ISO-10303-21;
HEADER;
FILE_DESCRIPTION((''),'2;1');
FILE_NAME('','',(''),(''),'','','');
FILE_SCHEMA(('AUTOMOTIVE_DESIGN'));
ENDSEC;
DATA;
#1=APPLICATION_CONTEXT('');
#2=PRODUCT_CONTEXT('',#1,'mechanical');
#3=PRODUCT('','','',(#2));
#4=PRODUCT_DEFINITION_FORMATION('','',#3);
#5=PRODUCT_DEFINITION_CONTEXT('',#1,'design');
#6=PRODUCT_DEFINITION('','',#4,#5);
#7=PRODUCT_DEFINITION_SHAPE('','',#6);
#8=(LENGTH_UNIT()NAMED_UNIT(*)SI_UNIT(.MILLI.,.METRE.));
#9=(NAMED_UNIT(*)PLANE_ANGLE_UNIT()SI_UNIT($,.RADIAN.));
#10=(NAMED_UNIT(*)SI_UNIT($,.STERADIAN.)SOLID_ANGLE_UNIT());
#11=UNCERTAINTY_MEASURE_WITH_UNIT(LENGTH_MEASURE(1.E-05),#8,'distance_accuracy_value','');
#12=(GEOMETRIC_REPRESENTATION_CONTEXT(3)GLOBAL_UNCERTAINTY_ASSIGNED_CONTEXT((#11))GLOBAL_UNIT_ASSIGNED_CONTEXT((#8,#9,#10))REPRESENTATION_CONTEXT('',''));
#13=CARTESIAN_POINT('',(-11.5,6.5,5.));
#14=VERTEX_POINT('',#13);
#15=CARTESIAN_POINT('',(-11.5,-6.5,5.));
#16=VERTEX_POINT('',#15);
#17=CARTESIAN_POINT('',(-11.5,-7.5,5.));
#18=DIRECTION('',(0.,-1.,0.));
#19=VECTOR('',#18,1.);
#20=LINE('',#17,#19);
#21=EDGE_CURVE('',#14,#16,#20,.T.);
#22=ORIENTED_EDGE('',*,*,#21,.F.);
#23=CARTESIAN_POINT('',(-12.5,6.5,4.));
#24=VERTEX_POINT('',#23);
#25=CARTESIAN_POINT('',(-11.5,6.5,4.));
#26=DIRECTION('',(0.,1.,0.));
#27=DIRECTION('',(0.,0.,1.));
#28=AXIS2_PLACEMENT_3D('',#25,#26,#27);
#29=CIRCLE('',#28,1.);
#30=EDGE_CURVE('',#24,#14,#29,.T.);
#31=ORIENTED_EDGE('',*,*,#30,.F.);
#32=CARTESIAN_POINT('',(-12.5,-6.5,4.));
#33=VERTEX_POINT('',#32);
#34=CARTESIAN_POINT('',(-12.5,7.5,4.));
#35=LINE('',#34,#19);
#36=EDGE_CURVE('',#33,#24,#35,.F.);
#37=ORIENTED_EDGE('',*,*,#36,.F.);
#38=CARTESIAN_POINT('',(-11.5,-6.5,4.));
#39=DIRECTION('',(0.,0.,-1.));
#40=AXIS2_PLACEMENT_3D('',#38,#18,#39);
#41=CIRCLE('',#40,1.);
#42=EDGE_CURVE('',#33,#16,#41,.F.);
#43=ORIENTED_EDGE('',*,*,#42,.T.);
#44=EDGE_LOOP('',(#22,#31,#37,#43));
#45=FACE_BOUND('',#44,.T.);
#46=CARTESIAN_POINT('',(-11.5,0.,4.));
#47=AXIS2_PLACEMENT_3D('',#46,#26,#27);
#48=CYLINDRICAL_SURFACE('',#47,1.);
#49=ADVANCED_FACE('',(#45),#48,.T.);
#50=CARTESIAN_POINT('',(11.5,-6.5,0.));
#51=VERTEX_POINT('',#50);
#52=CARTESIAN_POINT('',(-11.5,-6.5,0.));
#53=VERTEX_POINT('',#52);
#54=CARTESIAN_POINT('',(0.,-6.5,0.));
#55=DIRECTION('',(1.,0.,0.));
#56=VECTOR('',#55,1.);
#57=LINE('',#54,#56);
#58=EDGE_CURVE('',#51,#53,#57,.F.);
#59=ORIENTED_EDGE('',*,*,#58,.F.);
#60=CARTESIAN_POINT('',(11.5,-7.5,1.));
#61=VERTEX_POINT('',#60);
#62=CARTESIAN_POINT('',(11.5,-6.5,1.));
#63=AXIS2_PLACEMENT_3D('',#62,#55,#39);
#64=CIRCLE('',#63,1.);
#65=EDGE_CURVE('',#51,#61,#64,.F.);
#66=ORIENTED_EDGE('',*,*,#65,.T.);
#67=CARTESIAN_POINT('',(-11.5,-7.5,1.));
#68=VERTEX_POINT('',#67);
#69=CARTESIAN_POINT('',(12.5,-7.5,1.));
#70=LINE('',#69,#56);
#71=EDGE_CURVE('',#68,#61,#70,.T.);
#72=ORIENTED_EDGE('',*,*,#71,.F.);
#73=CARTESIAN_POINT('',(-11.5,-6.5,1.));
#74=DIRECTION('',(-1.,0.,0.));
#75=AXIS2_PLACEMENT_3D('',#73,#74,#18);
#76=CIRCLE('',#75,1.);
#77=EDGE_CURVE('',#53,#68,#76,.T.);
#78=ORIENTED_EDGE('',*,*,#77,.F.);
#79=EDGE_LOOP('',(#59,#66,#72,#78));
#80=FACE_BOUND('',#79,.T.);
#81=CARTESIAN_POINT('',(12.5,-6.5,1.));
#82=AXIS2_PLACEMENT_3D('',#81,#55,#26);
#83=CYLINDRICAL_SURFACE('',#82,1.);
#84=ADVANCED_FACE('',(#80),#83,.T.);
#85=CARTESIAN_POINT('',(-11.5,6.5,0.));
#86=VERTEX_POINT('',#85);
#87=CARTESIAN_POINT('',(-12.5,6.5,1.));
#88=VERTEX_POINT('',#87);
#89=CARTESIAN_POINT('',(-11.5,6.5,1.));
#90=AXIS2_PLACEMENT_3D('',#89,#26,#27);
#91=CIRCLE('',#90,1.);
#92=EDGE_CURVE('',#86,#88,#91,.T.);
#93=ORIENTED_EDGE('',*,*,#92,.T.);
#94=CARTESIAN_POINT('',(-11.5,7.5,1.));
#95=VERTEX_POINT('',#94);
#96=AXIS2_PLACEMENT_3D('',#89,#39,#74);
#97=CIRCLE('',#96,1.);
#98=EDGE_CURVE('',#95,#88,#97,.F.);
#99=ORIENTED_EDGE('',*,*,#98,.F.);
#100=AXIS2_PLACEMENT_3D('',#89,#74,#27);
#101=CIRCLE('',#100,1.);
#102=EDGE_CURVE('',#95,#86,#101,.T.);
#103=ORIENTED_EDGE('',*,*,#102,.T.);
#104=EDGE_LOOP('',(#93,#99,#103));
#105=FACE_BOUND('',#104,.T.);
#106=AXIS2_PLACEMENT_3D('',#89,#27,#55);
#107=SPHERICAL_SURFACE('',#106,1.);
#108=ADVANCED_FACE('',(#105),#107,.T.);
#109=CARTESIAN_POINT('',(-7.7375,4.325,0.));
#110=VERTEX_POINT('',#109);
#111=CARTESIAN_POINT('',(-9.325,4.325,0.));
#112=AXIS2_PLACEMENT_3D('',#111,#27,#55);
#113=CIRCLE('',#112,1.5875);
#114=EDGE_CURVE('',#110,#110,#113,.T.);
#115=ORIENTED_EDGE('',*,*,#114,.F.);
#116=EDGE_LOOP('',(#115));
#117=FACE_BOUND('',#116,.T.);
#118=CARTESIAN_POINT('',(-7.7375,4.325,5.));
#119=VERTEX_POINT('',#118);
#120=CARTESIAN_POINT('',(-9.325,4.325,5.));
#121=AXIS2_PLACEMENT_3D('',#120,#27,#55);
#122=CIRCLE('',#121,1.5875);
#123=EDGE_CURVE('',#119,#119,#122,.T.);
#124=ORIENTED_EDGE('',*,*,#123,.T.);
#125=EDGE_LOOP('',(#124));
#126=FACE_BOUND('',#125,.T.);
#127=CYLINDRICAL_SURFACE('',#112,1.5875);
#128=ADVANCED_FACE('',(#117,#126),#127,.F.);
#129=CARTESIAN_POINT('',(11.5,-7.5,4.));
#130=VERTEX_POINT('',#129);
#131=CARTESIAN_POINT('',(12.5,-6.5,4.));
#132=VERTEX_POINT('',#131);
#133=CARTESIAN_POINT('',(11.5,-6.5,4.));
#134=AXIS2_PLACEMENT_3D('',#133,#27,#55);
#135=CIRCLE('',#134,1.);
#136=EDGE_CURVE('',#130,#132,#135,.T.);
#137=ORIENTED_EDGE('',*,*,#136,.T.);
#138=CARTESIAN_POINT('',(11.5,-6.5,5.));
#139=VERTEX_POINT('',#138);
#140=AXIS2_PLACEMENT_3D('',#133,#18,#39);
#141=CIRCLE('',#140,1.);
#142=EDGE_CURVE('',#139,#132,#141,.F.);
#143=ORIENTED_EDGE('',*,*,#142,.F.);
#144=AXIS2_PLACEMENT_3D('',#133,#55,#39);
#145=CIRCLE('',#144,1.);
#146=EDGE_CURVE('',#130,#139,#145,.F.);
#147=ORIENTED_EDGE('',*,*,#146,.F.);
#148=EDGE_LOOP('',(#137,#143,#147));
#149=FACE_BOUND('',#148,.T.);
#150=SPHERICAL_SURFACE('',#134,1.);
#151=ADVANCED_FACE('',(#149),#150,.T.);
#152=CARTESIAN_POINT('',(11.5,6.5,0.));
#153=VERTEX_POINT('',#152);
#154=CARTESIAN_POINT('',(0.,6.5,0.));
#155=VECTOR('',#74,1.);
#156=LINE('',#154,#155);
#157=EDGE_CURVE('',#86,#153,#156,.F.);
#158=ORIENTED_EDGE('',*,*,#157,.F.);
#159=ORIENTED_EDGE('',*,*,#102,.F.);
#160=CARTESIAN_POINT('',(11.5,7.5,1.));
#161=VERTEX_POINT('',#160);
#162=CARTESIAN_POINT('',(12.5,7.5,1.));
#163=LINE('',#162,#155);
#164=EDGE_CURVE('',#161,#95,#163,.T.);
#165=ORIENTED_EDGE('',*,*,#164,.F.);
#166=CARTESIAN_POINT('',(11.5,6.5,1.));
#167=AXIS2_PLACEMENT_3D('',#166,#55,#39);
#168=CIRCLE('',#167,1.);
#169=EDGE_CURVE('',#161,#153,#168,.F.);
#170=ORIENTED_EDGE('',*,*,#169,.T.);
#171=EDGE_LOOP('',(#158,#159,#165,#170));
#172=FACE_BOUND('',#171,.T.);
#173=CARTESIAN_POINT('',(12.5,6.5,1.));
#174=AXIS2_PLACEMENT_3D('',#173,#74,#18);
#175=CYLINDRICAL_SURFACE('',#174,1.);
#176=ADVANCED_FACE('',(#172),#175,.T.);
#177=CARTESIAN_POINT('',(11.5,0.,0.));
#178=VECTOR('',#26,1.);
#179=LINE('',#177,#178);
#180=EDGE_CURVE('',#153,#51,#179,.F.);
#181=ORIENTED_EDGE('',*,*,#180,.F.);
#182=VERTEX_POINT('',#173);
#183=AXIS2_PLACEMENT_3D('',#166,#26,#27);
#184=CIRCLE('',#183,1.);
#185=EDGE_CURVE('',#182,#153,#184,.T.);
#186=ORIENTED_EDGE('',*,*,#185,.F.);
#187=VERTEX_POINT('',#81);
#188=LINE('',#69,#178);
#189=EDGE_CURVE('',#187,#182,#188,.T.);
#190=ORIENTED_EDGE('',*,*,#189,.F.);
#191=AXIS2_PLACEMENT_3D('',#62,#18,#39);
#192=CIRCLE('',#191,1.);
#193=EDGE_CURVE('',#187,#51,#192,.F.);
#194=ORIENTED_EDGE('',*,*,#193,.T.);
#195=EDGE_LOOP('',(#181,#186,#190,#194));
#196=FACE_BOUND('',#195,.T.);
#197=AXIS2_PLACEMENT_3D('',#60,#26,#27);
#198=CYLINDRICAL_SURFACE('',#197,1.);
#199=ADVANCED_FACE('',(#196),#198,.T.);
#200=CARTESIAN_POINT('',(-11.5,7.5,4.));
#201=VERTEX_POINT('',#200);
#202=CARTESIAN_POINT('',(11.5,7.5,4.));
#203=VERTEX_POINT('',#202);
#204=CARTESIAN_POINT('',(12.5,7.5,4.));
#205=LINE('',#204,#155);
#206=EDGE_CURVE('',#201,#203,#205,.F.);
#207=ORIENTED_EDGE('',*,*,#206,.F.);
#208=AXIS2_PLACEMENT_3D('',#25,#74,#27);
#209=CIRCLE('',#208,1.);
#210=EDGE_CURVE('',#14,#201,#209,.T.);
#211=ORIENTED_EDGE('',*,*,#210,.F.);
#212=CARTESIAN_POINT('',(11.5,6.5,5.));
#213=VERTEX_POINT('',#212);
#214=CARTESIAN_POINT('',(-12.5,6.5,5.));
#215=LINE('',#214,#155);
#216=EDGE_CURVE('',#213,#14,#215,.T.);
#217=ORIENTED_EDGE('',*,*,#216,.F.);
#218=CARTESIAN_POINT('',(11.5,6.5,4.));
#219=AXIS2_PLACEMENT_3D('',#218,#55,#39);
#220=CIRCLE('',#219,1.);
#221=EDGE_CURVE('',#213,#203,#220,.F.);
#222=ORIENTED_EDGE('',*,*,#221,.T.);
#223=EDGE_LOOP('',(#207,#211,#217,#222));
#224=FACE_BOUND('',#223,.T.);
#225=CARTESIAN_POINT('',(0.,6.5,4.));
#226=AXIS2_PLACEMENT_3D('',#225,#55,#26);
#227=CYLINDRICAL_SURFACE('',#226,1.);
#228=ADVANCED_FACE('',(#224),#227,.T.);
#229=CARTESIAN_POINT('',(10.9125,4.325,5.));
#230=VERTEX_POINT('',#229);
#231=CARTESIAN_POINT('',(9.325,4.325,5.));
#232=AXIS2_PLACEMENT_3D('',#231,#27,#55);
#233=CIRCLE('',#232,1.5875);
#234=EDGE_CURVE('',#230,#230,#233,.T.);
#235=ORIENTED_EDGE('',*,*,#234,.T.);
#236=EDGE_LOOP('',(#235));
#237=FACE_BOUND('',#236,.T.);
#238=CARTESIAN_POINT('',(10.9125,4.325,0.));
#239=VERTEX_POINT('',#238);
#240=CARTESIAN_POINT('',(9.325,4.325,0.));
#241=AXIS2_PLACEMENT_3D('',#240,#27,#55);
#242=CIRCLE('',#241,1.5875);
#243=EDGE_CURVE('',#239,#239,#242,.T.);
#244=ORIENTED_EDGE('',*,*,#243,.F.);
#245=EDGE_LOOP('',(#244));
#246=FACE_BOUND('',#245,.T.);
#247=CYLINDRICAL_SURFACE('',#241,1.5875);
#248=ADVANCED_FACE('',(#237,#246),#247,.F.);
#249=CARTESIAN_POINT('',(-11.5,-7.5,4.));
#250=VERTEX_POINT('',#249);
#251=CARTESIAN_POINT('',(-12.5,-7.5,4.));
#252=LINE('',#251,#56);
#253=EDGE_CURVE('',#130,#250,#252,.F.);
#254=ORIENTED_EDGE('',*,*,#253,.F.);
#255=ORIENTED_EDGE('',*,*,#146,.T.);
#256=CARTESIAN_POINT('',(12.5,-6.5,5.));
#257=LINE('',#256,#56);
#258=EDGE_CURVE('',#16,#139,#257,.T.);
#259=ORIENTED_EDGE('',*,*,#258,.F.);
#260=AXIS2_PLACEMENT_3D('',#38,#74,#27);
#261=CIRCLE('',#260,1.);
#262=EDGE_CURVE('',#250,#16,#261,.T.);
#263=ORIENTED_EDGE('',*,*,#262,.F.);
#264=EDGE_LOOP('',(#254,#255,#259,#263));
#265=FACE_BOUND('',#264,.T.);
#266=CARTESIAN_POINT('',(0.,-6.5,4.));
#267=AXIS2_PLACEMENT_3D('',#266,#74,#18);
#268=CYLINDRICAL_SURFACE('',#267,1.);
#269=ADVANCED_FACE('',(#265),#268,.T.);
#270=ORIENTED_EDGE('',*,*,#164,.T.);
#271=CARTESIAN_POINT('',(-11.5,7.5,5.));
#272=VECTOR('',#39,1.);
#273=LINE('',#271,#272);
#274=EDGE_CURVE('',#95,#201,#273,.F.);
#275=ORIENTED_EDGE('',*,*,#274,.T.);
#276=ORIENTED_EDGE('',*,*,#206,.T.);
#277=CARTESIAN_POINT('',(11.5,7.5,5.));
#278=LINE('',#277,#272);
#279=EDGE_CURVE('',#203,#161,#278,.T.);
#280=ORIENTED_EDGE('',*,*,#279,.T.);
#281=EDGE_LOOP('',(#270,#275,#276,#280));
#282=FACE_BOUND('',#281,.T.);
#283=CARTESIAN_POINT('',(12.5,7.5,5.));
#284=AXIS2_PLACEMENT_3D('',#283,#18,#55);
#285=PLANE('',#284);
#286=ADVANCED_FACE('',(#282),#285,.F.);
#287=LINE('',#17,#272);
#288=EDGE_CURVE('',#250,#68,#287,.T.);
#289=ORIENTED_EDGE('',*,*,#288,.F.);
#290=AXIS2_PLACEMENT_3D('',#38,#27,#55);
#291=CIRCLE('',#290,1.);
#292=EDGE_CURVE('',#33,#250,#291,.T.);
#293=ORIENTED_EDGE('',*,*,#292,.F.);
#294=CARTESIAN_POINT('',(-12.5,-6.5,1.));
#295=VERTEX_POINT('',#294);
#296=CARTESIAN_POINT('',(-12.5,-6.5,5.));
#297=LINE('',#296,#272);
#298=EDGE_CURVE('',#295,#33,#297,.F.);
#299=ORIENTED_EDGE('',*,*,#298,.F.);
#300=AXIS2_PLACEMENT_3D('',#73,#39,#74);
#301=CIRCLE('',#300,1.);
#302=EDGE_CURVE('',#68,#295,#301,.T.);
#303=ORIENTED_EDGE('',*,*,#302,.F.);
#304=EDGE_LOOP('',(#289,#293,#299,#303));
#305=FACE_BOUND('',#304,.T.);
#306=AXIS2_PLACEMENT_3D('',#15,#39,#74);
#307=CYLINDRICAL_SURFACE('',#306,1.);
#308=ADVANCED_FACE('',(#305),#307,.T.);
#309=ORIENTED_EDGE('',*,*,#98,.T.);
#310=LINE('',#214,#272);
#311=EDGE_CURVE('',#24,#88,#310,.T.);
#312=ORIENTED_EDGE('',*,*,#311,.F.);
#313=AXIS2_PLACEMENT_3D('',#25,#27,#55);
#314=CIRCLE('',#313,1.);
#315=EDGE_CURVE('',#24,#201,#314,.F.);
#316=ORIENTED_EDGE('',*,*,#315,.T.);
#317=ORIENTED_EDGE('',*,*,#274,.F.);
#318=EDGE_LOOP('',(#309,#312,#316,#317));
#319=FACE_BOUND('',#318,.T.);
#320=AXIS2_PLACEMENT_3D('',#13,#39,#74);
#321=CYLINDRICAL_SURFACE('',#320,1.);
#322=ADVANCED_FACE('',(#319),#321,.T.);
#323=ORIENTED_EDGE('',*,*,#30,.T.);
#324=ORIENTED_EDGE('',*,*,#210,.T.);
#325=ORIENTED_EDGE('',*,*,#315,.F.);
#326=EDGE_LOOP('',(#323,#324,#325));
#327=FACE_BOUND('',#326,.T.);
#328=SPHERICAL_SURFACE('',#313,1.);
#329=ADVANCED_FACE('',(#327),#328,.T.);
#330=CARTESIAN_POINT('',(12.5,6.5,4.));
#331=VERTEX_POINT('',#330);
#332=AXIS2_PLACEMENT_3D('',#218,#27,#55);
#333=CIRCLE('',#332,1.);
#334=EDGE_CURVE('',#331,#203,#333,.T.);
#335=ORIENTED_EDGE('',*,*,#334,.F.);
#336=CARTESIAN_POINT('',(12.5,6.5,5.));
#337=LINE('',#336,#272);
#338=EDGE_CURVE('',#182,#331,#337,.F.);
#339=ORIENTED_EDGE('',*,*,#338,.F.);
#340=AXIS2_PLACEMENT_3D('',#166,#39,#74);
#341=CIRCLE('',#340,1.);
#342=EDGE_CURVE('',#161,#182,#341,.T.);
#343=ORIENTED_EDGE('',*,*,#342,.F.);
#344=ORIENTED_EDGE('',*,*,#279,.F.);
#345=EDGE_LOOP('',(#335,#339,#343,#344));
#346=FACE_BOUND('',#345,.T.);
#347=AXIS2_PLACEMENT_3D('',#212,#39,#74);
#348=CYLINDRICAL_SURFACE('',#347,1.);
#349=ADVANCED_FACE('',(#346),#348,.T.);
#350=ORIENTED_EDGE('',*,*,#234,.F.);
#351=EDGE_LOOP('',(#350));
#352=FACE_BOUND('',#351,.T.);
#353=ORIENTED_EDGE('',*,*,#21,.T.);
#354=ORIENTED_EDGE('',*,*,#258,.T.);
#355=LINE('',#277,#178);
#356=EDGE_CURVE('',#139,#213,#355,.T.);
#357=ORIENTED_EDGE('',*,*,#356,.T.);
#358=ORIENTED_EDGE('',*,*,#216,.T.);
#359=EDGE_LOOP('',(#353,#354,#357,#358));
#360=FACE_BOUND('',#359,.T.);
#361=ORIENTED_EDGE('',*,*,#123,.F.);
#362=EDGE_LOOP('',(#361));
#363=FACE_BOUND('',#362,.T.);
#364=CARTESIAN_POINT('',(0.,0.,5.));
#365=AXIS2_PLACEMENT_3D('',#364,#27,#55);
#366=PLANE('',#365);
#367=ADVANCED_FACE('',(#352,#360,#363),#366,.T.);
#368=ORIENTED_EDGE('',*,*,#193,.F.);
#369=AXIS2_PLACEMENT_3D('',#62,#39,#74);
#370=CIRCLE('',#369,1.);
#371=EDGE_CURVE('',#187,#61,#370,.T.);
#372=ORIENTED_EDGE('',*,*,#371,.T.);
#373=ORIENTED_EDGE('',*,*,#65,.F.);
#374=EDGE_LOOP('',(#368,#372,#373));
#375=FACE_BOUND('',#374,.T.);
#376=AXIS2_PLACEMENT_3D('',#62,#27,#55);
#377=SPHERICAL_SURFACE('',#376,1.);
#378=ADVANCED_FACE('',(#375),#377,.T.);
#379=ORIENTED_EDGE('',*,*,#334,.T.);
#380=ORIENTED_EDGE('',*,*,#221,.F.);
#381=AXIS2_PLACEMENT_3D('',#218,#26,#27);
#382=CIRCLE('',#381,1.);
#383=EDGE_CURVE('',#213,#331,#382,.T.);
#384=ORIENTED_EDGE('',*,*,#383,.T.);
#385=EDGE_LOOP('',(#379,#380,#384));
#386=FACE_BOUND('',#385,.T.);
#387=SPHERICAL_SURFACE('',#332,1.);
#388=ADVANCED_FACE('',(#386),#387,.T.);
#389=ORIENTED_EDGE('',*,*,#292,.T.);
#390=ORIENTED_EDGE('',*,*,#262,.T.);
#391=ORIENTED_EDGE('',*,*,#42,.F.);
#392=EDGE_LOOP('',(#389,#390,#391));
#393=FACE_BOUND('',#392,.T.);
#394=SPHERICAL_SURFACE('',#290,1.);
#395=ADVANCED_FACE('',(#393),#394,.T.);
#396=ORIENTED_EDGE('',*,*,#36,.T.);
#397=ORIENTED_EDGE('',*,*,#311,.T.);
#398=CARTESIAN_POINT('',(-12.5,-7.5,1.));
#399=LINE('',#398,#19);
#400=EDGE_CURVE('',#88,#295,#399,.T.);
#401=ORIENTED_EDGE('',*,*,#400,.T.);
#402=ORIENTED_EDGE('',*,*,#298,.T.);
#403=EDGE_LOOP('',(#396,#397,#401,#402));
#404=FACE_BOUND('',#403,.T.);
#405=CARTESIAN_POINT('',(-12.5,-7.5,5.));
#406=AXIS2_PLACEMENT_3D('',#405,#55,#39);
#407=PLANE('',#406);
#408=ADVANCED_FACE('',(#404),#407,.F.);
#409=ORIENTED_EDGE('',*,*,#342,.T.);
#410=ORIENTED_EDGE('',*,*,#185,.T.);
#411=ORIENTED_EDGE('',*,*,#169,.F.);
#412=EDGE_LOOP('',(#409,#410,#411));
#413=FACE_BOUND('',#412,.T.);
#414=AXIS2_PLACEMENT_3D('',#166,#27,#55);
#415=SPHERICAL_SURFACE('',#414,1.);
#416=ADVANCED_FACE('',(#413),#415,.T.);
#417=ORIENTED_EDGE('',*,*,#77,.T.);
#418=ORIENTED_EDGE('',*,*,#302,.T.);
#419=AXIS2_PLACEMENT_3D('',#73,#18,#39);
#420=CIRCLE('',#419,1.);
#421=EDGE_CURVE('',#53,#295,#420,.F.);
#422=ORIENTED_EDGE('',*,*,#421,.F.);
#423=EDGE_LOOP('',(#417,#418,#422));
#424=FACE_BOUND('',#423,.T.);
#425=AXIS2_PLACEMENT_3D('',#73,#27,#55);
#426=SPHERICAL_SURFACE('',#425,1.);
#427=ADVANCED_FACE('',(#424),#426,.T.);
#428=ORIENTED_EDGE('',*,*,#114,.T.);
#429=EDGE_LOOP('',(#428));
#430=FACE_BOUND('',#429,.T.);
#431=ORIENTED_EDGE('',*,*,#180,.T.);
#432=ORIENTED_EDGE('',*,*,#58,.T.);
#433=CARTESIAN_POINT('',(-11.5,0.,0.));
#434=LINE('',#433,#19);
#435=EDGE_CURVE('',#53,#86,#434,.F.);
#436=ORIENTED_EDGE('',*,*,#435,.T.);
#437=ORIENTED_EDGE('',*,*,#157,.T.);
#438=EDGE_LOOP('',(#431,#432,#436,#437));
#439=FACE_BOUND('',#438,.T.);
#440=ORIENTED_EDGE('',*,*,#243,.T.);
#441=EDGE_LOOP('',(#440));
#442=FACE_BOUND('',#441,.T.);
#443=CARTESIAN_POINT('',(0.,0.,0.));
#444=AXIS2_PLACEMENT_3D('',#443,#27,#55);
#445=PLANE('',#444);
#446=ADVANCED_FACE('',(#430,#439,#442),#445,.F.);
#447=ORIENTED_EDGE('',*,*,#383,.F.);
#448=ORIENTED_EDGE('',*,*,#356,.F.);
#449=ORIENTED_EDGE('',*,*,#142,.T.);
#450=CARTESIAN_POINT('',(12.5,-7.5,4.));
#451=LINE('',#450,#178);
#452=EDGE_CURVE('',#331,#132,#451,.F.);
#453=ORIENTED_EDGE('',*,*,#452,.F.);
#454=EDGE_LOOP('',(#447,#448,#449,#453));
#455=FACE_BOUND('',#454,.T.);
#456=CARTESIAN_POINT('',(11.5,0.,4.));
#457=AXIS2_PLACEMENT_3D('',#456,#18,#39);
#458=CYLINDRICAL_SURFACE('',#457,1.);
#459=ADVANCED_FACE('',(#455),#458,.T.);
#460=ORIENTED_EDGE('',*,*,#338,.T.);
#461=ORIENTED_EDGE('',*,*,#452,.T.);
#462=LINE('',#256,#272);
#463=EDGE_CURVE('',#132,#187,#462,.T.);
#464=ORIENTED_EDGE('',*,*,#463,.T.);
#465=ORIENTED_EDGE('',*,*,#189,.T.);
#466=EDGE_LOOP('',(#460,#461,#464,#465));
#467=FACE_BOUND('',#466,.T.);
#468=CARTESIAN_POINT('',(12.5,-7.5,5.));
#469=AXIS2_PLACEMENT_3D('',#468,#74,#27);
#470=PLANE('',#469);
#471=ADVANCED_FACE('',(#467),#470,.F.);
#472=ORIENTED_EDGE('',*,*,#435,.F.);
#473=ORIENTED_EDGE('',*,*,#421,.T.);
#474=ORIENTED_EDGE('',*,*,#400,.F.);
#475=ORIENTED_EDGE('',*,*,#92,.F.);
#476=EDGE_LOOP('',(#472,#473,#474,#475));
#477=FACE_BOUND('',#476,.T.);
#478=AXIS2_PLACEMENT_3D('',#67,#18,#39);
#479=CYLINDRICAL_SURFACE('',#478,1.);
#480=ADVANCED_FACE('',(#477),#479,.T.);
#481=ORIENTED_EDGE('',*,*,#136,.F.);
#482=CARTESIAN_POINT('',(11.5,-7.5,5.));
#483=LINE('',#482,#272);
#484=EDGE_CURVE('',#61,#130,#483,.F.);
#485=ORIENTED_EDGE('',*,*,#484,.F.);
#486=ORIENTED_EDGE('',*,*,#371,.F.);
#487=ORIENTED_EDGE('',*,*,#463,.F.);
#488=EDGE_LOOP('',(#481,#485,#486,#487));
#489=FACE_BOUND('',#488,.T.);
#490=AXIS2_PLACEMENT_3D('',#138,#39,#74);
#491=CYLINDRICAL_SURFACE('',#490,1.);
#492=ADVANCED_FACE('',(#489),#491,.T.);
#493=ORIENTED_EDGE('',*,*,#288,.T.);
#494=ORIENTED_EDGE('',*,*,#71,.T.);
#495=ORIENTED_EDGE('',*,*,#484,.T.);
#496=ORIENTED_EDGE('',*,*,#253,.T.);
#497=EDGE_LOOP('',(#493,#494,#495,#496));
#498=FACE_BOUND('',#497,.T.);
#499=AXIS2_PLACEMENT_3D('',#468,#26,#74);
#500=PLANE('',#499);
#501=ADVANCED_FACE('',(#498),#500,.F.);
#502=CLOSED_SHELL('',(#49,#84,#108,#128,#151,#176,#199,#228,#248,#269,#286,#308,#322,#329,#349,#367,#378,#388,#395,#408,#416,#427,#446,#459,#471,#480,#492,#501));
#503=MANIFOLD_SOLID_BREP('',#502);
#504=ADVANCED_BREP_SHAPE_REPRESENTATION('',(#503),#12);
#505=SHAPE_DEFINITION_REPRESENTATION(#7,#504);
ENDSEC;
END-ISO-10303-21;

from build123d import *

# Parameters (mm, degrees)
ESBO_O1_W                = 25
ESBO_O1_H                = 15
RESSALTO_EXTRUS_O1_DEPTH = 5
ESBO_O2_R                = 1.5875
CORTE_EXTRUS_O1_DEPTH    = 16.411035007
FILETE2_R                = 1


with BuildPart() as part:
    # Esboço1 → Ressalto-extrusão1 (new body)
    with BuildSketch(Plane.XY):
        Rectangle(ESBO_O1_W, ESBO_O1_H)
    extrude(amount=RESSALTO_EXTRUS_O1_DEPTH)

    # Esboço2 → Corte-extrusão1 (cut, through all)
    with BuildSketch(Plane.XY.offset(5)):
        with Locations((-9.325, 4.325)):
            Circle(ESBO_O2_R)
        with Locations((9.325, 4.325)):
            Circle(ESBO_O2_R)
    extrude(amount=-CORTE_EXTRUS_O1_DEPTH, mode=Mode.SUBTRACT)

    # Filete2
    filete2_edges = [part.edges().sort_by_distance(p)[0] for p in [
        (12.5, 0, 5),
        (0, 7.5, 5),
        (-12.5, 0, 5),
        (0, 7.5, 0),
        (12.5, 0, 0),
        (0, -7.5, 0),
        (-12.5, 0, 0),
        (0, -7.5, 5),
        (-12.5, 7.5, 2.5),
        (12.5, 7.5, 2.5),
        (12.5, -7.5, 2.5),
        (-12.5, -7.5, 2.5),
    ]]
    fillet(filete2_edges, radius=FILETE2_R)


solid = part.part
